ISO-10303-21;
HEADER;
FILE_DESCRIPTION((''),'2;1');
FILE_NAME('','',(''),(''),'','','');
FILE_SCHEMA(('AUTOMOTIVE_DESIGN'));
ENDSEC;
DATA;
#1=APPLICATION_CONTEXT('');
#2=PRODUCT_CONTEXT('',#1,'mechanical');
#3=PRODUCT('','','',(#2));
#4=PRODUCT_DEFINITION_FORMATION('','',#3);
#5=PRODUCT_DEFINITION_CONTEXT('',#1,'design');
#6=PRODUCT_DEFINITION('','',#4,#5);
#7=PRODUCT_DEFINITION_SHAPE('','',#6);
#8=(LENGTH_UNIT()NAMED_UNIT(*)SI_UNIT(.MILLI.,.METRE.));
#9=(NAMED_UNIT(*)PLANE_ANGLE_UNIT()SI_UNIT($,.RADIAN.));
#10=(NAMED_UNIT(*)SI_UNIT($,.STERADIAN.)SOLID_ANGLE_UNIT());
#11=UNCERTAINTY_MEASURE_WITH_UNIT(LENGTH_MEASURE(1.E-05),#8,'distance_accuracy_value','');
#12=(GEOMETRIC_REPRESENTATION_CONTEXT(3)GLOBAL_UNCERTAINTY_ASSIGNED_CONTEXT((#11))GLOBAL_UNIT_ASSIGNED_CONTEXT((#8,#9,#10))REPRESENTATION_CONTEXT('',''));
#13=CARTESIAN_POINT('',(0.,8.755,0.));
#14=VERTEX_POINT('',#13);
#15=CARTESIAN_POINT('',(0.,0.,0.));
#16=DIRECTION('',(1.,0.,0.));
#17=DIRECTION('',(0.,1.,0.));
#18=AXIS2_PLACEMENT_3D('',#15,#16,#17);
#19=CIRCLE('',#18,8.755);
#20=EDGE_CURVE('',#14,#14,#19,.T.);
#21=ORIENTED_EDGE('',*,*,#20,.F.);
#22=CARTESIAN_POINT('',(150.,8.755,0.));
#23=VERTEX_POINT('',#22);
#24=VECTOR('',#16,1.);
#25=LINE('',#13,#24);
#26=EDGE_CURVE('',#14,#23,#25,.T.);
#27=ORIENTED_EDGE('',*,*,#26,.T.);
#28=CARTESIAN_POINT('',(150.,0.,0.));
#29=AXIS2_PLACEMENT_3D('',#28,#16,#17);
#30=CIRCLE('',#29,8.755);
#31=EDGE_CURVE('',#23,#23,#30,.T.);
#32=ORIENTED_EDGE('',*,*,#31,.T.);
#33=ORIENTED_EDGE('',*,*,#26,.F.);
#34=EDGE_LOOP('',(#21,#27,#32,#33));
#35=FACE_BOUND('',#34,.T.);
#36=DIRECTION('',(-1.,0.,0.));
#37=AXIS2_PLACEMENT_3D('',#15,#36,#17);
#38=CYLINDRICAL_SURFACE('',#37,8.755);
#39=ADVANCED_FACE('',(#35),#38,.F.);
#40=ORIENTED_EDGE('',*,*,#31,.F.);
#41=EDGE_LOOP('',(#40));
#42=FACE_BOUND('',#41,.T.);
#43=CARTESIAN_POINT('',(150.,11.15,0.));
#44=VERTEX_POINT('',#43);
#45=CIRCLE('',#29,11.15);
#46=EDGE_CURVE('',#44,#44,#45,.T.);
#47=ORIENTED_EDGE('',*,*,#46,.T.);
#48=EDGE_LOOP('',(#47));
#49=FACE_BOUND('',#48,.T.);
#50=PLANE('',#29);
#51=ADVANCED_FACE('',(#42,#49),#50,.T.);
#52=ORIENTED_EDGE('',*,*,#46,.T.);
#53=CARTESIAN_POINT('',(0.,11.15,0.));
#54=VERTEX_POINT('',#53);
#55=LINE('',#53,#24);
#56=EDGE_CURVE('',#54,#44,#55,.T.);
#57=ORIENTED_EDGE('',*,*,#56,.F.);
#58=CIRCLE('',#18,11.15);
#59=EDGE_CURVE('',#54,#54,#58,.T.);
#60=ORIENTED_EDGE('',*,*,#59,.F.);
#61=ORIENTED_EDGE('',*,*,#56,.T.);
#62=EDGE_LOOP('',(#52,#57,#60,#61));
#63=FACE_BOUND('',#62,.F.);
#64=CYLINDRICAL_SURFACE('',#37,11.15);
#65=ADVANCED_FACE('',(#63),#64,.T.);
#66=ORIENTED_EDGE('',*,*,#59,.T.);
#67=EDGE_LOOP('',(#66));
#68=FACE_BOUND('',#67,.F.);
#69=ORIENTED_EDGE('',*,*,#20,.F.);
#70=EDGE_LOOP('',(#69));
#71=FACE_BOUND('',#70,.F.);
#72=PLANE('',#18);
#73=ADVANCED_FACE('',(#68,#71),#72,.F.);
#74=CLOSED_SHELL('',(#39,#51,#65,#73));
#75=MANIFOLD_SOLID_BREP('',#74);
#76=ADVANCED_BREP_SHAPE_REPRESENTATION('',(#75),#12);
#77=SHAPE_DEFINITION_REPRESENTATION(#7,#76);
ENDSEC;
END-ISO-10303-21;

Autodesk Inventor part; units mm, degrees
ref_plane "YZ Plane" through (0, 0, 0) normal (1, 0, 0) x (0, 1, 0)
ref_plane "XZ Plane" through (0, 0, 0) normal (0, 1, 0) x (-1, 0, 0)
ref_plane "XY Plane" through (0, 0, 0) normal (0, 0, 1) x (1, 0, 0)
sketch "Sketch1" plane through (0, 0, 0) normal (1, 0, 0) x (0, 1, 0)
  circle A0 centre (0, 0) radius 11.15
  circle A1 centre (0, 0) radius 8.755
  dimension "d0" = 22.3
  dimension "d1" = 17.51
extrude "Extrusion1" add sketch "Sketch1" along normal blind 150
properties part number "Horizontal Pipe" material "PVC-Piping"
